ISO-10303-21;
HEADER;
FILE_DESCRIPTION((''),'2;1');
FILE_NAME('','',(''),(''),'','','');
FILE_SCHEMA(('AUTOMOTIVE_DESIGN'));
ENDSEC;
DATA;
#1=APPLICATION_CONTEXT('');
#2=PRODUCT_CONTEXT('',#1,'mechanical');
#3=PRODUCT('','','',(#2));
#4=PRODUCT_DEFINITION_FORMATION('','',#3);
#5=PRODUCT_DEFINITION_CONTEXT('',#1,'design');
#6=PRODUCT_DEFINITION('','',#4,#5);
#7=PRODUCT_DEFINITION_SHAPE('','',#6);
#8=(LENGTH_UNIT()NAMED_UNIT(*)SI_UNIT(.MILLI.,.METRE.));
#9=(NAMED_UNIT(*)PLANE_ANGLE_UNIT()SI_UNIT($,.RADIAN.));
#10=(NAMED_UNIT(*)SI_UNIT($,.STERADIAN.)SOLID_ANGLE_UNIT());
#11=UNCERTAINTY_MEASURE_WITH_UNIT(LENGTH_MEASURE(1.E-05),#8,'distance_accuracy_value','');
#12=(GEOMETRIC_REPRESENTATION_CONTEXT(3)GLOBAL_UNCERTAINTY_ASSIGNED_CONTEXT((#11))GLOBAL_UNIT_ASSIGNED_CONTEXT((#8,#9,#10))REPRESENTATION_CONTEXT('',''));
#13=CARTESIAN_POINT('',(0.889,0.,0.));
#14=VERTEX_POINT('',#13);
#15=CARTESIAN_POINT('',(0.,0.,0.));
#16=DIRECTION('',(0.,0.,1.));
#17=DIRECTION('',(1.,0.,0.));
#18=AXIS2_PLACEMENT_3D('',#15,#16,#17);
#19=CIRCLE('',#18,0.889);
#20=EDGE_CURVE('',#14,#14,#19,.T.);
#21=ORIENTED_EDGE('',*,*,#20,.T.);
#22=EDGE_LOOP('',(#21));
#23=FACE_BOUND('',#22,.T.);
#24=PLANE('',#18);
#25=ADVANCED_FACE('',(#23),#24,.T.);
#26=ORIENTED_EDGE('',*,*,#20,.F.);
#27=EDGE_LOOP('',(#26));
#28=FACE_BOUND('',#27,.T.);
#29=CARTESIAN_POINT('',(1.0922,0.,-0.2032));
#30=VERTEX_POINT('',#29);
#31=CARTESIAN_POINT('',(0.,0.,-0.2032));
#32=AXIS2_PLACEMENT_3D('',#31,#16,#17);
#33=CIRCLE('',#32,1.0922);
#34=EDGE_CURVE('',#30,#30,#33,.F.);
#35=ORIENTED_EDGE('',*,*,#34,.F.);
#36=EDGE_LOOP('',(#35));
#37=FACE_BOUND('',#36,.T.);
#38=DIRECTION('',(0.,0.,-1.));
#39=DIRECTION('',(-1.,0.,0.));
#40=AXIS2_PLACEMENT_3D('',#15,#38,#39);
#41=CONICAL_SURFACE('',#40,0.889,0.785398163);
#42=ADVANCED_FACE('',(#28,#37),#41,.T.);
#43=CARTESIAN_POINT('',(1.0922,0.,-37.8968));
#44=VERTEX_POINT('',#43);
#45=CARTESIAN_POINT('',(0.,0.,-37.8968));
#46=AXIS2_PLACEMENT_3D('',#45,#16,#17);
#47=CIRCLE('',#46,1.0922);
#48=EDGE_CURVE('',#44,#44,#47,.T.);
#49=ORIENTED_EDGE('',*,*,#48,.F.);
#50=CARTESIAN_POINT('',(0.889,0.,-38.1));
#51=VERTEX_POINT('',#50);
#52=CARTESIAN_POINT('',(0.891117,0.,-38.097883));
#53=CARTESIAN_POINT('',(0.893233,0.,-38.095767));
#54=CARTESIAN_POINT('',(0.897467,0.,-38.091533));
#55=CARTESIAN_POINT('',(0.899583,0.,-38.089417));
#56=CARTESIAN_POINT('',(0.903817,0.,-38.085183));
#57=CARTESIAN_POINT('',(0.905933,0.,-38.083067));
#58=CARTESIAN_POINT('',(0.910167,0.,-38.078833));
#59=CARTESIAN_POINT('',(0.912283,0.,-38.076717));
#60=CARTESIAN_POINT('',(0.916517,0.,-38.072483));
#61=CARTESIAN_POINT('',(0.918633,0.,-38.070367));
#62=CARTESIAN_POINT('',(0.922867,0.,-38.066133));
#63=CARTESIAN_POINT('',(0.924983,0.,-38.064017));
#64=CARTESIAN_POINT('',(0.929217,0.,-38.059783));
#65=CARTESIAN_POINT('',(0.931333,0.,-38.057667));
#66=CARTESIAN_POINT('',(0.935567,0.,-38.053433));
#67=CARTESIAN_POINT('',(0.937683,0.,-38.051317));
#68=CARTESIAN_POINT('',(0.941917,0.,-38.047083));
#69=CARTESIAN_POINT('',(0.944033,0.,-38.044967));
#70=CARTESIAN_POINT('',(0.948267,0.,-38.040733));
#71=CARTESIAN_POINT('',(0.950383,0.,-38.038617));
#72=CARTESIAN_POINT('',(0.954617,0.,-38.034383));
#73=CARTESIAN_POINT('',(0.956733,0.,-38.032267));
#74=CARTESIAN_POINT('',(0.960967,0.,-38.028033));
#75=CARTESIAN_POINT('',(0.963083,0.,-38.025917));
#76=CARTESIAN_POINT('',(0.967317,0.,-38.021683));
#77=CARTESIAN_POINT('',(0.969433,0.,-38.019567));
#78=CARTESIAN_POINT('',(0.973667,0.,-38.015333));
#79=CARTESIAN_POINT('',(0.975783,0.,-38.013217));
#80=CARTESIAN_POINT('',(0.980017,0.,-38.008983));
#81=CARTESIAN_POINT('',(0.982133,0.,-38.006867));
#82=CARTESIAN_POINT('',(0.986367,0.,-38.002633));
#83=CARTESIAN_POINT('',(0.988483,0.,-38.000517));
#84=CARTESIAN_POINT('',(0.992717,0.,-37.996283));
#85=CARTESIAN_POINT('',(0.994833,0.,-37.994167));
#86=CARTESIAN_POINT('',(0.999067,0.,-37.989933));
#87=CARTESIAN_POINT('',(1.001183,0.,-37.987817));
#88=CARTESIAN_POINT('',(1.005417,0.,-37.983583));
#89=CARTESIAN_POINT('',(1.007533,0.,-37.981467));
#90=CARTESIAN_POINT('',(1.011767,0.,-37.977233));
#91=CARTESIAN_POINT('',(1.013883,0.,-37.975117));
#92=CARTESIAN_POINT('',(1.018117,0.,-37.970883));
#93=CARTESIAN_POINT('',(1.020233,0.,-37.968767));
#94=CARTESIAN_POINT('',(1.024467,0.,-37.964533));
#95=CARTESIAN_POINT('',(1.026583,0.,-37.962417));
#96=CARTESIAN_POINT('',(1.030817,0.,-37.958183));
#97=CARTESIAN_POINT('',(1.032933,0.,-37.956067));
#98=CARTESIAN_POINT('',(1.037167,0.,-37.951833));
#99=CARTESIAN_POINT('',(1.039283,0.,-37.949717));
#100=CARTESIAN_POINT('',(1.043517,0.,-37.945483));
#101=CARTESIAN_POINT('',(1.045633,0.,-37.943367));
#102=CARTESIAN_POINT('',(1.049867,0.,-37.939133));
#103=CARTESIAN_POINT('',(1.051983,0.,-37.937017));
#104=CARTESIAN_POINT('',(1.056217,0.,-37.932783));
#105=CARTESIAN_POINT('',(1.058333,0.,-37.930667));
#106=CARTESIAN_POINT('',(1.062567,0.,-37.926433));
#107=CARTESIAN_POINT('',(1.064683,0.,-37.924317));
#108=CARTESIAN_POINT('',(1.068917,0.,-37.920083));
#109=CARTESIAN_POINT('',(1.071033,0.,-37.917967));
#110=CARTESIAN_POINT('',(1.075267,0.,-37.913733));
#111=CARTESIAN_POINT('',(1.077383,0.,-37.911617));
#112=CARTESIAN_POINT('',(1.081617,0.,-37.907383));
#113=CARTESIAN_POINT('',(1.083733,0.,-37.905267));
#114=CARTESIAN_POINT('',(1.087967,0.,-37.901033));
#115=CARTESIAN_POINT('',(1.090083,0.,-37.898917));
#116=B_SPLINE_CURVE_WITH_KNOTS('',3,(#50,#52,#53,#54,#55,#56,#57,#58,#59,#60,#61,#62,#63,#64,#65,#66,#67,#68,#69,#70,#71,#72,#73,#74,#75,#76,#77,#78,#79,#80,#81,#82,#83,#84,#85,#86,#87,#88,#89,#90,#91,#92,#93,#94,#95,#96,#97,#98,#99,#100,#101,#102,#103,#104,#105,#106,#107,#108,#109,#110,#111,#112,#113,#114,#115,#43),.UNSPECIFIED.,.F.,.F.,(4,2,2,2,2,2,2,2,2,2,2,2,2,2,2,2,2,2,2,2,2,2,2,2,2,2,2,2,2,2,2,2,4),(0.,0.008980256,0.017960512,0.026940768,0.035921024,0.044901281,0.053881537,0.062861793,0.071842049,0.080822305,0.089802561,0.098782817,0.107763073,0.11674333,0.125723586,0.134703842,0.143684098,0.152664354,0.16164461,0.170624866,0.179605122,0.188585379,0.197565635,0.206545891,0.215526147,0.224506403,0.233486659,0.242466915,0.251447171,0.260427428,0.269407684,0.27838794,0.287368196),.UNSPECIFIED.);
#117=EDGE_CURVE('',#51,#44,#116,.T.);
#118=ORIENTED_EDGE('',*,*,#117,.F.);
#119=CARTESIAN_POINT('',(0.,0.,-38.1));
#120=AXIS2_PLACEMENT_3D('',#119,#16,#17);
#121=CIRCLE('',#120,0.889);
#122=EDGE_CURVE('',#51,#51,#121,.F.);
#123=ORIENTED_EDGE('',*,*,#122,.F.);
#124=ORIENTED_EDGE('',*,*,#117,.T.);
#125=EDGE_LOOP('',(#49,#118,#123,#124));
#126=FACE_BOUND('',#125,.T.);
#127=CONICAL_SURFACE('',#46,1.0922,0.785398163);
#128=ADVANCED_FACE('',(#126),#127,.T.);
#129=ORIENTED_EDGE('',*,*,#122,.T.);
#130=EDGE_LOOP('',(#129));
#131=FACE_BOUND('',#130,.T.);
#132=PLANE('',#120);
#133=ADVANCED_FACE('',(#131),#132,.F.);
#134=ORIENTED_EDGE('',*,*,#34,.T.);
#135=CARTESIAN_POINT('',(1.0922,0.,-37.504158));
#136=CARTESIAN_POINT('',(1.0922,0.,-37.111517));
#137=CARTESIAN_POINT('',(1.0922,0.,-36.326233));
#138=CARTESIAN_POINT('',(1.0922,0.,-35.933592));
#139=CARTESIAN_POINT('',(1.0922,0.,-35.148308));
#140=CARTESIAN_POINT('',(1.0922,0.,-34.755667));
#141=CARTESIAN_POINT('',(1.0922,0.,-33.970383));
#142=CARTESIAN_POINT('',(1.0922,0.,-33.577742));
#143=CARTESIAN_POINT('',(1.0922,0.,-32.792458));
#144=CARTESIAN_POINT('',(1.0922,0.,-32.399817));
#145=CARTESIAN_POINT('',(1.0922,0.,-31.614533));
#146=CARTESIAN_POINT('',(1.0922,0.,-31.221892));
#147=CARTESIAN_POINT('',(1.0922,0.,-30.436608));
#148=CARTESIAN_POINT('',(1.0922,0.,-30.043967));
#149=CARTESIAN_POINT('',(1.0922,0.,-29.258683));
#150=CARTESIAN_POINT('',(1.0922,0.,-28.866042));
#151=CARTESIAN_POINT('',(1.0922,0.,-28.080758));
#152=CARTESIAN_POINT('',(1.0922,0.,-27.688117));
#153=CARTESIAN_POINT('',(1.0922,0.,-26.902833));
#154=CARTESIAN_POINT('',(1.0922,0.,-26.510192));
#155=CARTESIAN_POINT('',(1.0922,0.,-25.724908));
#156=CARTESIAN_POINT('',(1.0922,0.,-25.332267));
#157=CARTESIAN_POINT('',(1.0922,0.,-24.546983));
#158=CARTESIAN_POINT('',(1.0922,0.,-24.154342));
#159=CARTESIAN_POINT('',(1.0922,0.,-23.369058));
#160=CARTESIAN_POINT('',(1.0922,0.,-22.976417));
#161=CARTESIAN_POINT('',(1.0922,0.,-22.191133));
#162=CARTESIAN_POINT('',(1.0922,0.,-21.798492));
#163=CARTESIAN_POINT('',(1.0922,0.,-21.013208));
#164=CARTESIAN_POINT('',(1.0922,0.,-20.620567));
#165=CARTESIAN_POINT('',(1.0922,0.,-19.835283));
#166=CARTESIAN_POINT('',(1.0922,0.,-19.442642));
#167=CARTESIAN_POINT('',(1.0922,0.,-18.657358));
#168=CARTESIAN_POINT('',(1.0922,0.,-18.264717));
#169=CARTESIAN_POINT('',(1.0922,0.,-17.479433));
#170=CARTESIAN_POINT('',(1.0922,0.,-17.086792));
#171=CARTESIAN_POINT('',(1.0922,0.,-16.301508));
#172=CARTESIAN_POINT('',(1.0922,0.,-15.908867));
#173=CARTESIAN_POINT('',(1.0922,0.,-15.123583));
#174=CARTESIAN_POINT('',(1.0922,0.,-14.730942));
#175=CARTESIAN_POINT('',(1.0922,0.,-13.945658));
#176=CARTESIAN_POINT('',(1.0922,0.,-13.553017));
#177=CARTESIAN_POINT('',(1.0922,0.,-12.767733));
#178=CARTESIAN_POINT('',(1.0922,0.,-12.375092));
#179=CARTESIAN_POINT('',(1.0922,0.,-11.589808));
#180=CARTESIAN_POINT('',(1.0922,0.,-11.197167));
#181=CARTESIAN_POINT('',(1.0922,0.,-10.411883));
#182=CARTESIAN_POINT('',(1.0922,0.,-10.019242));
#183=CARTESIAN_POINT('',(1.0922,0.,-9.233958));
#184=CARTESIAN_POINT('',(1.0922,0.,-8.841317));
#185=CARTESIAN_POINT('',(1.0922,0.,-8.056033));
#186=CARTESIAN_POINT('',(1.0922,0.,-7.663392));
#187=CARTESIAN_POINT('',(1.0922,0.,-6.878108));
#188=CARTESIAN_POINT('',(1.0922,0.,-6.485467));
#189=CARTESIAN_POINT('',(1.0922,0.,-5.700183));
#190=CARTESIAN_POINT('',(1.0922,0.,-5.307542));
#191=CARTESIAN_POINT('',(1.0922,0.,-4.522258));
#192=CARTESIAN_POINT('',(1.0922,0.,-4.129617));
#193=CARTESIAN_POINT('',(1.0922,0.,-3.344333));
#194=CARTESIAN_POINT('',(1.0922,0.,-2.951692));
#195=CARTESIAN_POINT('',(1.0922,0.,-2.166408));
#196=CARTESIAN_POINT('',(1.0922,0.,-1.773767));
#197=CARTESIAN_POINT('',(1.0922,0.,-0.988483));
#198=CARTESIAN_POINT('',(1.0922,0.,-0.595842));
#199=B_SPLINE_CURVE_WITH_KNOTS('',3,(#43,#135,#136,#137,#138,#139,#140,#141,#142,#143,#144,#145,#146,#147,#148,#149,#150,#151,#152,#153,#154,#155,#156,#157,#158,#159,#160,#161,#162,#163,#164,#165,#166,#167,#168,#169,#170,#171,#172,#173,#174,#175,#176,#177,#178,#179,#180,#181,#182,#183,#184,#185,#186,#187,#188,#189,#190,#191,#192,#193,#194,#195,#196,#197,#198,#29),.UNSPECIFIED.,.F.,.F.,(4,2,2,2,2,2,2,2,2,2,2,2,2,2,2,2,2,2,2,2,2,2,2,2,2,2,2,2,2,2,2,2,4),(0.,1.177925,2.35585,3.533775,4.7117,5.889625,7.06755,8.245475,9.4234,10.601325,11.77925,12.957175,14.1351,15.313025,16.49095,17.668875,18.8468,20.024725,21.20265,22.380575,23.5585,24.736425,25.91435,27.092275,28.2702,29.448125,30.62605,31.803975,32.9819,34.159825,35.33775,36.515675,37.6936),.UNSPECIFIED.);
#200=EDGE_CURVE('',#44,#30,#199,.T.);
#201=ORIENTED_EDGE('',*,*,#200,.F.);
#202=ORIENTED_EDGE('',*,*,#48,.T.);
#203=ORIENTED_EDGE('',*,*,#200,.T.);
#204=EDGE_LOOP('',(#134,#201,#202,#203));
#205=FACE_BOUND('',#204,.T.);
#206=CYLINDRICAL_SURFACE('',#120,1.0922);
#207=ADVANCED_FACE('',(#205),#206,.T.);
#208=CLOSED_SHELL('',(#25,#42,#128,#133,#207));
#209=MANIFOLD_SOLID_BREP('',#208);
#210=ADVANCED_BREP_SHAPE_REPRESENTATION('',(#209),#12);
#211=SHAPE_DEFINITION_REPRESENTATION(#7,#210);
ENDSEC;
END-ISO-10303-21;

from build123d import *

# Parameters (mm, degrees)
SKETCH1_R      = 1.0922
EXTRUDE1_DEPTH = 38.1
CHAMFER1_SIZE  = 0.2032


with BuildPart() as part:
    # Sketch1 → Extrude1 (new body)
    with BuildSketch(Plane.XY):
        Circle(SKETCH1_R)
    extrude(amount=-EXTRUDE1_DEPTH)

    # Chamfer1
    chamfer1_edges = [part.edges().sort_by_distance(p)[0] for p in [
        (-1.0922, 0, 0),
        (-1.0922, 0, -38.1),
    ]]
    chamfer(chamfer1_edges, length=CHAMFER1_SIZE)


solid = part.part
